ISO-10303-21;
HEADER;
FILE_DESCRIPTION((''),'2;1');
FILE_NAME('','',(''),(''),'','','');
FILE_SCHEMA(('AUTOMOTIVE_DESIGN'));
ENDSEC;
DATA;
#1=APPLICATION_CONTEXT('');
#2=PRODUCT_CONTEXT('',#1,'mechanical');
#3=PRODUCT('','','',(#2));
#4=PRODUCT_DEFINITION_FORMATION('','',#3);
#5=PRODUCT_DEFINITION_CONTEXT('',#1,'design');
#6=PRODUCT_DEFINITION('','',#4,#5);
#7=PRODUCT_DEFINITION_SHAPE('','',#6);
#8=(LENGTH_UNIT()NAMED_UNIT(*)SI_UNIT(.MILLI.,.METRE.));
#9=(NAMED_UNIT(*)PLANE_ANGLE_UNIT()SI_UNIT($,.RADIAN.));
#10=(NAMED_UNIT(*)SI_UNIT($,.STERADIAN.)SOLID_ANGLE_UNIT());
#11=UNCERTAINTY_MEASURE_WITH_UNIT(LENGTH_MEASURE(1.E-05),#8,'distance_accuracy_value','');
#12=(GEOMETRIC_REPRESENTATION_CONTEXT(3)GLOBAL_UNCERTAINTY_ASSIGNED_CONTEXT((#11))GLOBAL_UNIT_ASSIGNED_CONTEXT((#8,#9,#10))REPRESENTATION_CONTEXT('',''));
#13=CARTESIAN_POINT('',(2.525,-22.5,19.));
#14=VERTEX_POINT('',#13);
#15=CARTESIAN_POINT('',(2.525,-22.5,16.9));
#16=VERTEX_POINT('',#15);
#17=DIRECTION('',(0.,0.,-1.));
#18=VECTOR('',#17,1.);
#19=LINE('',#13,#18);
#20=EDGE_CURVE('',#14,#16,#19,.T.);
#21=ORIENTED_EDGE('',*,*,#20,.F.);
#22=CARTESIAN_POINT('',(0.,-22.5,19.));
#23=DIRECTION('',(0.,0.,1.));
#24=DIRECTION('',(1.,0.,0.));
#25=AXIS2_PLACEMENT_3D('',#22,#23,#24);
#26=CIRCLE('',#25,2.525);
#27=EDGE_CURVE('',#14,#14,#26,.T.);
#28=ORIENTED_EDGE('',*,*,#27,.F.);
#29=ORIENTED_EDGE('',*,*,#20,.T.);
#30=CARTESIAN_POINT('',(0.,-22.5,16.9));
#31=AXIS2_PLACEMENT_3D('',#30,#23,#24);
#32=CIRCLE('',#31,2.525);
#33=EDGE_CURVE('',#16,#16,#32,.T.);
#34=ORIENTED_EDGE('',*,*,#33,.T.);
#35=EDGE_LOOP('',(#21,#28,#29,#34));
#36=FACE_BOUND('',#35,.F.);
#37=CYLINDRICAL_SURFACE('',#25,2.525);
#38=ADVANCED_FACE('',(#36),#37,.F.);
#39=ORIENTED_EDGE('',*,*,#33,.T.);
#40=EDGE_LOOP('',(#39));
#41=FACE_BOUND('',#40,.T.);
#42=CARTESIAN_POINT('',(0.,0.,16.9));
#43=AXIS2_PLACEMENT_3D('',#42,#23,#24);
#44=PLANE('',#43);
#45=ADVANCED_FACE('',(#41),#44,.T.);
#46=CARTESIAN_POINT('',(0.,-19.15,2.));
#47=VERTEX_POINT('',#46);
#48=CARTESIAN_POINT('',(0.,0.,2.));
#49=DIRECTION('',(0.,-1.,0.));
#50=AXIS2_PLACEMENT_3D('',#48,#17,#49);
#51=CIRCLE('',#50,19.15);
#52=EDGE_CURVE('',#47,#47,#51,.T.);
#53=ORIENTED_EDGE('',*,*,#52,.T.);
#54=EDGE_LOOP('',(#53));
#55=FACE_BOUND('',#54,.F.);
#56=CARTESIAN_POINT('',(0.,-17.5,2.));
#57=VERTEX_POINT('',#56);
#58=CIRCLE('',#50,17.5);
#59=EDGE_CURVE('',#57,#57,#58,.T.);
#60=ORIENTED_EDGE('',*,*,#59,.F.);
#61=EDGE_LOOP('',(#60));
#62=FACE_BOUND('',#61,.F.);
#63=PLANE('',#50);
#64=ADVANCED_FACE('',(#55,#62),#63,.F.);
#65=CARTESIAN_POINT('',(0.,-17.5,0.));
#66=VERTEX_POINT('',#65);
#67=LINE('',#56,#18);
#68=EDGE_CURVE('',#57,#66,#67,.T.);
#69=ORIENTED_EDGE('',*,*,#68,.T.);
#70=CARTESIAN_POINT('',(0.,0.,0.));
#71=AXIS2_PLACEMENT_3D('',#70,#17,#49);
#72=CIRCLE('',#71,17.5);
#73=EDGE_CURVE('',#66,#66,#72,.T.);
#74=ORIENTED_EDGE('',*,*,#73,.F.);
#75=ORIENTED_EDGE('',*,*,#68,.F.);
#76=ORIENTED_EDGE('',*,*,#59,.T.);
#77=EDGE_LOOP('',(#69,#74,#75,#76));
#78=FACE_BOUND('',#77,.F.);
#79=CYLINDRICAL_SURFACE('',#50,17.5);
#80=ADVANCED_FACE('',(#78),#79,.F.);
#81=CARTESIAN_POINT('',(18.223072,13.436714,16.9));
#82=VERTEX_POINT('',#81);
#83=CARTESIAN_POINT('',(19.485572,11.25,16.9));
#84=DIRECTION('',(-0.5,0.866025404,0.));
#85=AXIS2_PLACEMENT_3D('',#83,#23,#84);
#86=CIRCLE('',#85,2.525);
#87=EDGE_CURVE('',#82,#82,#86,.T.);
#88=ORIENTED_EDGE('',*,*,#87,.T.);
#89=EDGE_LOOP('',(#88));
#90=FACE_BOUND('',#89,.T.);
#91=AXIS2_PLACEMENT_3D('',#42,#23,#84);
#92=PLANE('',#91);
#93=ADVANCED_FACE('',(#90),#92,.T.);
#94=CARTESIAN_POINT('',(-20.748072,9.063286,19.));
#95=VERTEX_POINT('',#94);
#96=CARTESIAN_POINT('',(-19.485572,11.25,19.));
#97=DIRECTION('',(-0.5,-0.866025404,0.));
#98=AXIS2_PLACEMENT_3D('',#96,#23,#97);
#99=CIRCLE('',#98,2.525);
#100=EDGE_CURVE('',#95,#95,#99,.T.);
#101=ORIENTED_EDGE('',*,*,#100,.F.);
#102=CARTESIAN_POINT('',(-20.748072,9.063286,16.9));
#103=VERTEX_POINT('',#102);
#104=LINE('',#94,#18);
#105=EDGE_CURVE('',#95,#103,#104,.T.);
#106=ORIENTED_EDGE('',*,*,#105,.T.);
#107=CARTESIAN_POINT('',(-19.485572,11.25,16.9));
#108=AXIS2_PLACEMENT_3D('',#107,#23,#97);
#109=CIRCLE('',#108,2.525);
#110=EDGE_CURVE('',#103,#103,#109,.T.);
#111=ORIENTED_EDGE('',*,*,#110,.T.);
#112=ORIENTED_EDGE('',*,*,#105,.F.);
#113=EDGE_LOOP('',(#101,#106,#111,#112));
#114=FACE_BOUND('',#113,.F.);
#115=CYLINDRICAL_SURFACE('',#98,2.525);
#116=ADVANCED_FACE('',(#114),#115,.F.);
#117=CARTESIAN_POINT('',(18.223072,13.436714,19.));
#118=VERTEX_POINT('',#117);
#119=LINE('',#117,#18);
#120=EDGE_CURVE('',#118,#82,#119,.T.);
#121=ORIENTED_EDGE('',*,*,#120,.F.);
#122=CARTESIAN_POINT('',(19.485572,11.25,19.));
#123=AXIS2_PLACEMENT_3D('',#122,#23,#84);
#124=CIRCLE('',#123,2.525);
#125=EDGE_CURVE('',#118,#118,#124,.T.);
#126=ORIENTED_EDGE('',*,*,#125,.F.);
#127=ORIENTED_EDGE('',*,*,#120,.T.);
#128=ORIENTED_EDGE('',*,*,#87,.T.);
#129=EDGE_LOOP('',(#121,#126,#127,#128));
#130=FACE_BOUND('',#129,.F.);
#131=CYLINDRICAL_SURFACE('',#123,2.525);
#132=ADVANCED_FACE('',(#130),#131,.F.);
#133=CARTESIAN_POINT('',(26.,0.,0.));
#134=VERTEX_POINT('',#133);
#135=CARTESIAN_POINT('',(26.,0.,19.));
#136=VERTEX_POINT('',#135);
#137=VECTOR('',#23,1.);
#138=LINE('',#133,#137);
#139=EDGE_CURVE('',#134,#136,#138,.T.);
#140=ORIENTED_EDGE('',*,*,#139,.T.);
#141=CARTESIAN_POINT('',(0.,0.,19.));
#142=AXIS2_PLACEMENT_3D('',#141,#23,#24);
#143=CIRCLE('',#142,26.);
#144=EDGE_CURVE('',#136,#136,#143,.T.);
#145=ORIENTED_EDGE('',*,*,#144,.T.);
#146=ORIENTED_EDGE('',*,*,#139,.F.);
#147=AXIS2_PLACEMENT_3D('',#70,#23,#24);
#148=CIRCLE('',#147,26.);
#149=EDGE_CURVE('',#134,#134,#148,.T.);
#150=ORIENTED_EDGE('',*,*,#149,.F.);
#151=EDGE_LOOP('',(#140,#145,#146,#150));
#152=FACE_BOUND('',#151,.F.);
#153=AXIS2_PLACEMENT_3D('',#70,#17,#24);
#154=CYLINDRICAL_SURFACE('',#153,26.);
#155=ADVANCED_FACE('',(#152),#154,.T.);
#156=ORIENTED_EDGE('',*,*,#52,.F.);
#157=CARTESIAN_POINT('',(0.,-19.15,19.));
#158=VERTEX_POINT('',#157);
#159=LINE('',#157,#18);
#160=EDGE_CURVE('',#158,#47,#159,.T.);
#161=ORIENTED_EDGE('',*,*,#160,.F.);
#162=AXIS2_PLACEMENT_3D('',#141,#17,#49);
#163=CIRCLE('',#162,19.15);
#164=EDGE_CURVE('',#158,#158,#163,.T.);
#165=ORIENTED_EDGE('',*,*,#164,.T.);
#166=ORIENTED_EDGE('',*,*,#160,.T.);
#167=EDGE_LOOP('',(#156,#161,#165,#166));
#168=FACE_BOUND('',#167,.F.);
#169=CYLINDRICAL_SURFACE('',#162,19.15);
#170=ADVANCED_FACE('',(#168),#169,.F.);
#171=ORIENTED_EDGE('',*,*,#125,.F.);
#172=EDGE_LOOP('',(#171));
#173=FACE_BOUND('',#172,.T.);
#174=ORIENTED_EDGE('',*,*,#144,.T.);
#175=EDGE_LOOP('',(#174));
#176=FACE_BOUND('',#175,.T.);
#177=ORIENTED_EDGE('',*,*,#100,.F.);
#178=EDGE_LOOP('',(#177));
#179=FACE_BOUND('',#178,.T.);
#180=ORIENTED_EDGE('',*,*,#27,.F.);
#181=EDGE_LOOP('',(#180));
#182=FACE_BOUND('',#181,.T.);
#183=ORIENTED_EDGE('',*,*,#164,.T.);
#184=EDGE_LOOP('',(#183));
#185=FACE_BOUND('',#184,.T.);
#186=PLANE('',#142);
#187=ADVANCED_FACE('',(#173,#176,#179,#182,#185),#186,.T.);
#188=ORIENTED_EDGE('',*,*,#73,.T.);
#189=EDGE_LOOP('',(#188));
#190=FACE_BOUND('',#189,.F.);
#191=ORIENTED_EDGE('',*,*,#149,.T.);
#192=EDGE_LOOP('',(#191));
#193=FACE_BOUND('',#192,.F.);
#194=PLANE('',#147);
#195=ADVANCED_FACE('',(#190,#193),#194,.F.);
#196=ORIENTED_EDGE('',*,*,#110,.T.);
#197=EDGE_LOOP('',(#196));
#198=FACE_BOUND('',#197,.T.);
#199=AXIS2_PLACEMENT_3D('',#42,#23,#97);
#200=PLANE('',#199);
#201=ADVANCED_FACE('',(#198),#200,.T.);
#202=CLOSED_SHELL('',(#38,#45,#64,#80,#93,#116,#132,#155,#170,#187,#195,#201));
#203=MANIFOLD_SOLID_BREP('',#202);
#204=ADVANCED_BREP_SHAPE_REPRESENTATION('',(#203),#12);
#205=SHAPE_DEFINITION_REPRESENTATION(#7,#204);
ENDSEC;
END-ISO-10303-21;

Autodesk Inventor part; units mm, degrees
ref_plane "YZ Plane" through (0, 0, 0) normal (1, 0, 0) x (0, 1, 0)
ref_plane "XZ Plane" through (0, 0, 0) normal (0, 1, 0) x (-1, 0, 0)
ref_plane "XY Plane" through (0, 0, 0) normal (0, 0, 1) x (1, 0, 0)
sketch "Skizze1" plane through (0, 0, 0) normal (0, 0, 1) x (1, 0, 0)
  circle A0 centre (0, 0) radius 26
  dimension "d0" = 52
extrude "Extrusion1" add sketch "Skizze1" along normal blind 19
hole "Bohrung1" at (0, 0, 19) direction (0, 0, -1) diameter 35 depth 20 counterbore diameter 38.3 counterbore depth 17
sketch "Skizze2" plane through (0, 0, 19) normal (0, 0, 1) x (1, 0, 0)
  circle A0 centre (0, -22.5) radius 2.525
  point P0 (0, 0)
  dimension "d12" = 5.05
  dimension "d13" = 22.5
extrude "Extrusion2" cut sketch "Skizze2" against normal blind 2.1
pattern_circular "Runde Anordnung1" count 3 over 360 about axis through (0, 0, 0) along (0, 0, 1) of "Extrusion2"
properties part number "Sensor Deckel383"
